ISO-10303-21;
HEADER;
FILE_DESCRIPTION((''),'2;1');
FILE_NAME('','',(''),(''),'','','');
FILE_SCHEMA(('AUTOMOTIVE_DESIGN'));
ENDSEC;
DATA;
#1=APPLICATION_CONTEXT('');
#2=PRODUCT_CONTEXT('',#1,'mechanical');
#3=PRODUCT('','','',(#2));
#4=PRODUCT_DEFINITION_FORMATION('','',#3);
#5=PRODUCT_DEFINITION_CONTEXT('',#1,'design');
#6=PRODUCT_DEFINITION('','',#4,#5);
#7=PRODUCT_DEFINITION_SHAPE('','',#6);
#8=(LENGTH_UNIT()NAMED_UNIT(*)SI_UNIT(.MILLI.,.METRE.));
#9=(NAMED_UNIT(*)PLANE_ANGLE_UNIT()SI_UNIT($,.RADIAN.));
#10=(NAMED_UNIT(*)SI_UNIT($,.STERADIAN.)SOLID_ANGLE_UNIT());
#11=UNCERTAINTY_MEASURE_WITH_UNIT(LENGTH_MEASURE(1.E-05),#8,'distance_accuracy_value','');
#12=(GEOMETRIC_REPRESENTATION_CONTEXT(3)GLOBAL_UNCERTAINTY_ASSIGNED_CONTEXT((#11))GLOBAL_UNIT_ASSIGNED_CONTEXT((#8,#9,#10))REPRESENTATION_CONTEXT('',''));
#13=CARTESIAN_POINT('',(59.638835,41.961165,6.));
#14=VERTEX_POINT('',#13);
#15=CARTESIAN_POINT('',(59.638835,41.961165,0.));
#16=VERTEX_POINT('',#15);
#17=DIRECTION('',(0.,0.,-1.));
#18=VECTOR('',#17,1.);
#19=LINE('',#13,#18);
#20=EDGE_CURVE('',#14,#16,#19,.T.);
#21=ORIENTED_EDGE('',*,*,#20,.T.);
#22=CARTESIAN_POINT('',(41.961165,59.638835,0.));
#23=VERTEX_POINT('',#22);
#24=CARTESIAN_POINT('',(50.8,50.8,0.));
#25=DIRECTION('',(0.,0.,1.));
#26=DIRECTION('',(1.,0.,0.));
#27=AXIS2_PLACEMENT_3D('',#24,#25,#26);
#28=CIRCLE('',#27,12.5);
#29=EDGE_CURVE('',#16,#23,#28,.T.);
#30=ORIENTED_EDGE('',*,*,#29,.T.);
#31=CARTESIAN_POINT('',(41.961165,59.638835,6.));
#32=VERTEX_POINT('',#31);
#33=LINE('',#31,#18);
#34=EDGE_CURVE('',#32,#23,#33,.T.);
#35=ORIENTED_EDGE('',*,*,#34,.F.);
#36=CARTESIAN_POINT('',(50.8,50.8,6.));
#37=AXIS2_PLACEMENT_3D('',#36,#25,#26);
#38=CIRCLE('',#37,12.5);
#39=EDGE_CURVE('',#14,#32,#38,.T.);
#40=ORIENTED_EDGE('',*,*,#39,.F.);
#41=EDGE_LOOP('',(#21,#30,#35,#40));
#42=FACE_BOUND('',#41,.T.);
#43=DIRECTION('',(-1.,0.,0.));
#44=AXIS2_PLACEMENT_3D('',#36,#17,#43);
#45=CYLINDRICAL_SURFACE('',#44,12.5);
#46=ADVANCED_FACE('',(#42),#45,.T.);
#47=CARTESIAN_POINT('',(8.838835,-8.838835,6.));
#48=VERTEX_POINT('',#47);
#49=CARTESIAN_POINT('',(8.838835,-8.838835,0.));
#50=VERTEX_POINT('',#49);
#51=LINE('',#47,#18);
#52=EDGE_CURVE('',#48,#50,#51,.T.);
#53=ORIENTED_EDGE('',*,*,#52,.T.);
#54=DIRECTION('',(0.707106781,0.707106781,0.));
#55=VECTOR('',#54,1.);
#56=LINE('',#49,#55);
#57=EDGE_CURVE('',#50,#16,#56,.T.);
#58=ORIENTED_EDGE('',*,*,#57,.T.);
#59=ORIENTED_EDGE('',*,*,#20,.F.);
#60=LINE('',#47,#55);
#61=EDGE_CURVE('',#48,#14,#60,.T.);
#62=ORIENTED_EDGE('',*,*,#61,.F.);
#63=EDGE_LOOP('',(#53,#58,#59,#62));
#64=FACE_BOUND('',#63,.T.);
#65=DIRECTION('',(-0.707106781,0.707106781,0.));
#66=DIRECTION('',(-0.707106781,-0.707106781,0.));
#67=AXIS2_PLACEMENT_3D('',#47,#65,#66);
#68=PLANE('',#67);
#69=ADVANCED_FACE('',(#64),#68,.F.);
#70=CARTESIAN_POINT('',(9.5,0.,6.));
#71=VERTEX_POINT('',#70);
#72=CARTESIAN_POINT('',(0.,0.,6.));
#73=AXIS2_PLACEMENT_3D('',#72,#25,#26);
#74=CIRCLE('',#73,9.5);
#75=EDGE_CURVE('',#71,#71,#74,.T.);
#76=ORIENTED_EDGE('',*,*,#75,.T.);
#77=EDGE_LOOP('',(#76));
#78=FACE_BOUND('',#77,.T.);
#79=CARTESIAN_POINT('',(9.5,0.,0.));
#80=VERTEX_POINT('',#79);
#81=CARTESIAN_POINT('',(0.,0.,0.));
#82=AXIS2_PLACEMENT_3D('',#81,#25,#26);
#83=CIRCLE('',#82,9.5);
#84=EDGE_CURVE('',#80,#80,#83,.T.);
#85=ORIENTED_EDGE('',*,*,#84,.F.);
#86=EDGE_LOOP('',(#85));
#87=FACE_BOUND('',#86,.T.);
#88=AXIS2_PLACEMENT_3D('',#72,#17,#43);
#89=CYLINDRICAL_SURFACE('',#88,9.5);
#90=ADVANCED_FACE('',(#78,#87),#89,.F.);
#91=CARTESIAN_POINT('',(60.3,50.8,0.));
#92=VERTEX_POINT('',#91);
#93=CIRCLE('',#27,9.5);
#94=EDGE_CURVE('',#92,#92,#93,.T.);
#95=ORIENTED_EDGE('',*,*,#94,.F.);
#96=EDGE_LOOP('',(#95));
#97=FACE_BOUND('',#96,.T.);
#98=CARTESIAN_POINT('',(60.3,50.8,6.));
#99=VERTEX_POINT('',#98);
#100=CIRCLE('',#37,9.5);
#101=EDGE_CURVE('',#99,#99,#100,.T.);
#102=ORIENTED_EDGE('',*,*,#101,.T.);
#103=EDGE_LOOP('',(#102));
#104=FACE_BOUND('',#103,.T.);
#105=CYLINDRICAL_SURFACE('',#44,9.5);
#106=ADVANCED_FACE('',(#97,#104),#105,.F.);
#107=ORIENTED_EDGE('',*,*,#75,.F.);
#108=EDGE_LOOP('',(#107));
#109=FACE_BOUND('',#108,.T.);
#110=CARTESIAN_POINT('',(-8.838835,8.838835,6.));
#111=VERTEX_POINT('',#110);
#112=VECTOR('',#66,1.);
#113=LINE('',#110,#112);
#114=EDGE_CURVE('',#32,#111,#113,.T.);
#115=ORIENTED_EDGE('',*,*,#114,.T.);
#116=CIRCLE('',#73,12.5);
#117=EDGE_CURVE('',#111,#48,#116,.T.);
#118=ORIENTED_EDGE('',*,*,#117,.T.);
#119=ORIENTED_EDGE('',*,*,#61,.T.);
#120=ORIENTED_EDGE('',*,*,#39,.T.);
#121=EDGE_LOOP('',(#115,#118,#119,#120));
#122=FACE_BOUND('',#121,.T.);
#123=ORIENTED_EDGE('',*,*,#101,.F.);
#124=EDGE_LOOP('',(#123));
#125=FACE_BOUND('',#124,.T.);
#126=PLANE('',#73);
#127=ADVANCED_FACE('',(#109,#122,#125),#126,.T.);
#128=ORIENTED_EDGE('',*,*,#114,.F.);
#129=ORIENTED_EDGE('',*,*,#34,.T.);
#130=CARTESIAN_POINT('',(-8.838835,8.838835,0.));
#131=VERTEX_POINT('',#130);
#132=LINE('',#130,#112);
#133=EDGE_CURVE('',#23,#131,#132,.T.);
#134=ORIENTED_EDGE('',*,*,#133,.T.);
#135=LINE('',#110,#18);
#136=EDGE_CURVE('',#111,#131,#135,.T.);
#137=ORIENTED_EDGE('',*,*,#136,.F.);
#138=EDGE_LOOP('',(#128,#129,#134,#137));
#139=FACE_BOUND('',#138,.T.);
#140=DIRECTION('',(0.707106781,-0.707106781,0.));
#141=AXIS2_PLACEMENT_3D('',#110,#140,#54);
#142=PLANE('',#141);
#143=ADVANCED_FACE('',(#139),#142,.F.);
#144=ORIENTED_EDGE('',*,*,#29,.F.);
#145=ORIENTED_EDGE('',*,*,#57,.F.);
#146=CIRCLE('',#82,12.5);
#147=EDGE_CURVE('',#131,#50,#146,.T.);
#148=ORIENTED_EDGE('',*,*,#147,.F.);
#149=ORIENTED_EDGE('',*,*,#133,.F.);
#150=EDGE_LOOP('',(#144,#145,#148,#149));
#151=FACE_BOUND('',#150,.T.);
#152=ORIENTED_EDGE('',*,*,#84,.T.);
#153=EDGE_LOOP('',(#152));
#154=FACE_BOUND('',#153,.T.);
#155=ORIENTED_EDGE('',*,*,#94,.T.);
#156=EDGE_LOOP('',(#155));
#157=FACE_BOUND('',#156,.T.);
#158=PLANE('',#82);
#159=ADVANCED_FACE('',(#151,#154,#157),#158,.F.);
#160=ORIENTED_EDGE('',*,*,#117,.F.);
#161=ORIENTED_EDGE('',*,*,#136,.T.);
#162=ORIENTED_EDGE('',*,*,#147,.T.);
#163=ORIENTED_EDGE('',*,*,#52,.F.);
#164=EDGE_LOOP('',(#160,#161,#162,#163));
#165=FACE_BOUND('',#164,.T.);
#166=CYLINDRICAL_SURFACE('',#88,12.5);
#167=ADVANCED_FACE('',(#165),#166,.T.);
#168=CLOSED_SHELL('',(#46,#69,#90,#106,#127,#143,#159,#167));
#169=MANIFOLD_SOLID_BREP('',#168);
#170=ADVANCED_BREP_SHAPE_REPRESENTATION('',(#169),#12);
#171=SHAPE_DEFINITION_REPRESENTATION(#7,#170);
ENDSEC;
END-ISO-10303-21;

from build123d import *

# Parameters (mm, degrees)
SKETCH1_R           = 9.5
BOSS_EXTRUDE1_DEPTH = 6


with BuildPart() as part:
    # Sketch1 → Boss-Extrude1 (new body)
    with BuildSketch(Plane.XY):
        with BuildLine():
            Line((-8.838834765, 8.838834765), (41.961165235, 59.638834765))
            ThreePointArc((41.961165235, 59.638834765), (59.638834765, 59.638834765), (59.638834765, 41.961165235))
            Line((59.638834765, 41.961165235), (8.838834765, -8.838834765))
            ThreePointArc((8.838834765, -8.838834765), (-8.838834765, -8.838834765), (-8.838834765, 8.838834765))
        make_face()
        Circle(SKETCH1_R, mode=Mode.SUBTRACT)
        with Locations((50.8, 50.8)):
            Circle(SKETCH1_R, mode=Mode.SUBTRACT)
    extrude(amount=BOSS_EXTRUDE1_DEPTH)


solid = part.part
